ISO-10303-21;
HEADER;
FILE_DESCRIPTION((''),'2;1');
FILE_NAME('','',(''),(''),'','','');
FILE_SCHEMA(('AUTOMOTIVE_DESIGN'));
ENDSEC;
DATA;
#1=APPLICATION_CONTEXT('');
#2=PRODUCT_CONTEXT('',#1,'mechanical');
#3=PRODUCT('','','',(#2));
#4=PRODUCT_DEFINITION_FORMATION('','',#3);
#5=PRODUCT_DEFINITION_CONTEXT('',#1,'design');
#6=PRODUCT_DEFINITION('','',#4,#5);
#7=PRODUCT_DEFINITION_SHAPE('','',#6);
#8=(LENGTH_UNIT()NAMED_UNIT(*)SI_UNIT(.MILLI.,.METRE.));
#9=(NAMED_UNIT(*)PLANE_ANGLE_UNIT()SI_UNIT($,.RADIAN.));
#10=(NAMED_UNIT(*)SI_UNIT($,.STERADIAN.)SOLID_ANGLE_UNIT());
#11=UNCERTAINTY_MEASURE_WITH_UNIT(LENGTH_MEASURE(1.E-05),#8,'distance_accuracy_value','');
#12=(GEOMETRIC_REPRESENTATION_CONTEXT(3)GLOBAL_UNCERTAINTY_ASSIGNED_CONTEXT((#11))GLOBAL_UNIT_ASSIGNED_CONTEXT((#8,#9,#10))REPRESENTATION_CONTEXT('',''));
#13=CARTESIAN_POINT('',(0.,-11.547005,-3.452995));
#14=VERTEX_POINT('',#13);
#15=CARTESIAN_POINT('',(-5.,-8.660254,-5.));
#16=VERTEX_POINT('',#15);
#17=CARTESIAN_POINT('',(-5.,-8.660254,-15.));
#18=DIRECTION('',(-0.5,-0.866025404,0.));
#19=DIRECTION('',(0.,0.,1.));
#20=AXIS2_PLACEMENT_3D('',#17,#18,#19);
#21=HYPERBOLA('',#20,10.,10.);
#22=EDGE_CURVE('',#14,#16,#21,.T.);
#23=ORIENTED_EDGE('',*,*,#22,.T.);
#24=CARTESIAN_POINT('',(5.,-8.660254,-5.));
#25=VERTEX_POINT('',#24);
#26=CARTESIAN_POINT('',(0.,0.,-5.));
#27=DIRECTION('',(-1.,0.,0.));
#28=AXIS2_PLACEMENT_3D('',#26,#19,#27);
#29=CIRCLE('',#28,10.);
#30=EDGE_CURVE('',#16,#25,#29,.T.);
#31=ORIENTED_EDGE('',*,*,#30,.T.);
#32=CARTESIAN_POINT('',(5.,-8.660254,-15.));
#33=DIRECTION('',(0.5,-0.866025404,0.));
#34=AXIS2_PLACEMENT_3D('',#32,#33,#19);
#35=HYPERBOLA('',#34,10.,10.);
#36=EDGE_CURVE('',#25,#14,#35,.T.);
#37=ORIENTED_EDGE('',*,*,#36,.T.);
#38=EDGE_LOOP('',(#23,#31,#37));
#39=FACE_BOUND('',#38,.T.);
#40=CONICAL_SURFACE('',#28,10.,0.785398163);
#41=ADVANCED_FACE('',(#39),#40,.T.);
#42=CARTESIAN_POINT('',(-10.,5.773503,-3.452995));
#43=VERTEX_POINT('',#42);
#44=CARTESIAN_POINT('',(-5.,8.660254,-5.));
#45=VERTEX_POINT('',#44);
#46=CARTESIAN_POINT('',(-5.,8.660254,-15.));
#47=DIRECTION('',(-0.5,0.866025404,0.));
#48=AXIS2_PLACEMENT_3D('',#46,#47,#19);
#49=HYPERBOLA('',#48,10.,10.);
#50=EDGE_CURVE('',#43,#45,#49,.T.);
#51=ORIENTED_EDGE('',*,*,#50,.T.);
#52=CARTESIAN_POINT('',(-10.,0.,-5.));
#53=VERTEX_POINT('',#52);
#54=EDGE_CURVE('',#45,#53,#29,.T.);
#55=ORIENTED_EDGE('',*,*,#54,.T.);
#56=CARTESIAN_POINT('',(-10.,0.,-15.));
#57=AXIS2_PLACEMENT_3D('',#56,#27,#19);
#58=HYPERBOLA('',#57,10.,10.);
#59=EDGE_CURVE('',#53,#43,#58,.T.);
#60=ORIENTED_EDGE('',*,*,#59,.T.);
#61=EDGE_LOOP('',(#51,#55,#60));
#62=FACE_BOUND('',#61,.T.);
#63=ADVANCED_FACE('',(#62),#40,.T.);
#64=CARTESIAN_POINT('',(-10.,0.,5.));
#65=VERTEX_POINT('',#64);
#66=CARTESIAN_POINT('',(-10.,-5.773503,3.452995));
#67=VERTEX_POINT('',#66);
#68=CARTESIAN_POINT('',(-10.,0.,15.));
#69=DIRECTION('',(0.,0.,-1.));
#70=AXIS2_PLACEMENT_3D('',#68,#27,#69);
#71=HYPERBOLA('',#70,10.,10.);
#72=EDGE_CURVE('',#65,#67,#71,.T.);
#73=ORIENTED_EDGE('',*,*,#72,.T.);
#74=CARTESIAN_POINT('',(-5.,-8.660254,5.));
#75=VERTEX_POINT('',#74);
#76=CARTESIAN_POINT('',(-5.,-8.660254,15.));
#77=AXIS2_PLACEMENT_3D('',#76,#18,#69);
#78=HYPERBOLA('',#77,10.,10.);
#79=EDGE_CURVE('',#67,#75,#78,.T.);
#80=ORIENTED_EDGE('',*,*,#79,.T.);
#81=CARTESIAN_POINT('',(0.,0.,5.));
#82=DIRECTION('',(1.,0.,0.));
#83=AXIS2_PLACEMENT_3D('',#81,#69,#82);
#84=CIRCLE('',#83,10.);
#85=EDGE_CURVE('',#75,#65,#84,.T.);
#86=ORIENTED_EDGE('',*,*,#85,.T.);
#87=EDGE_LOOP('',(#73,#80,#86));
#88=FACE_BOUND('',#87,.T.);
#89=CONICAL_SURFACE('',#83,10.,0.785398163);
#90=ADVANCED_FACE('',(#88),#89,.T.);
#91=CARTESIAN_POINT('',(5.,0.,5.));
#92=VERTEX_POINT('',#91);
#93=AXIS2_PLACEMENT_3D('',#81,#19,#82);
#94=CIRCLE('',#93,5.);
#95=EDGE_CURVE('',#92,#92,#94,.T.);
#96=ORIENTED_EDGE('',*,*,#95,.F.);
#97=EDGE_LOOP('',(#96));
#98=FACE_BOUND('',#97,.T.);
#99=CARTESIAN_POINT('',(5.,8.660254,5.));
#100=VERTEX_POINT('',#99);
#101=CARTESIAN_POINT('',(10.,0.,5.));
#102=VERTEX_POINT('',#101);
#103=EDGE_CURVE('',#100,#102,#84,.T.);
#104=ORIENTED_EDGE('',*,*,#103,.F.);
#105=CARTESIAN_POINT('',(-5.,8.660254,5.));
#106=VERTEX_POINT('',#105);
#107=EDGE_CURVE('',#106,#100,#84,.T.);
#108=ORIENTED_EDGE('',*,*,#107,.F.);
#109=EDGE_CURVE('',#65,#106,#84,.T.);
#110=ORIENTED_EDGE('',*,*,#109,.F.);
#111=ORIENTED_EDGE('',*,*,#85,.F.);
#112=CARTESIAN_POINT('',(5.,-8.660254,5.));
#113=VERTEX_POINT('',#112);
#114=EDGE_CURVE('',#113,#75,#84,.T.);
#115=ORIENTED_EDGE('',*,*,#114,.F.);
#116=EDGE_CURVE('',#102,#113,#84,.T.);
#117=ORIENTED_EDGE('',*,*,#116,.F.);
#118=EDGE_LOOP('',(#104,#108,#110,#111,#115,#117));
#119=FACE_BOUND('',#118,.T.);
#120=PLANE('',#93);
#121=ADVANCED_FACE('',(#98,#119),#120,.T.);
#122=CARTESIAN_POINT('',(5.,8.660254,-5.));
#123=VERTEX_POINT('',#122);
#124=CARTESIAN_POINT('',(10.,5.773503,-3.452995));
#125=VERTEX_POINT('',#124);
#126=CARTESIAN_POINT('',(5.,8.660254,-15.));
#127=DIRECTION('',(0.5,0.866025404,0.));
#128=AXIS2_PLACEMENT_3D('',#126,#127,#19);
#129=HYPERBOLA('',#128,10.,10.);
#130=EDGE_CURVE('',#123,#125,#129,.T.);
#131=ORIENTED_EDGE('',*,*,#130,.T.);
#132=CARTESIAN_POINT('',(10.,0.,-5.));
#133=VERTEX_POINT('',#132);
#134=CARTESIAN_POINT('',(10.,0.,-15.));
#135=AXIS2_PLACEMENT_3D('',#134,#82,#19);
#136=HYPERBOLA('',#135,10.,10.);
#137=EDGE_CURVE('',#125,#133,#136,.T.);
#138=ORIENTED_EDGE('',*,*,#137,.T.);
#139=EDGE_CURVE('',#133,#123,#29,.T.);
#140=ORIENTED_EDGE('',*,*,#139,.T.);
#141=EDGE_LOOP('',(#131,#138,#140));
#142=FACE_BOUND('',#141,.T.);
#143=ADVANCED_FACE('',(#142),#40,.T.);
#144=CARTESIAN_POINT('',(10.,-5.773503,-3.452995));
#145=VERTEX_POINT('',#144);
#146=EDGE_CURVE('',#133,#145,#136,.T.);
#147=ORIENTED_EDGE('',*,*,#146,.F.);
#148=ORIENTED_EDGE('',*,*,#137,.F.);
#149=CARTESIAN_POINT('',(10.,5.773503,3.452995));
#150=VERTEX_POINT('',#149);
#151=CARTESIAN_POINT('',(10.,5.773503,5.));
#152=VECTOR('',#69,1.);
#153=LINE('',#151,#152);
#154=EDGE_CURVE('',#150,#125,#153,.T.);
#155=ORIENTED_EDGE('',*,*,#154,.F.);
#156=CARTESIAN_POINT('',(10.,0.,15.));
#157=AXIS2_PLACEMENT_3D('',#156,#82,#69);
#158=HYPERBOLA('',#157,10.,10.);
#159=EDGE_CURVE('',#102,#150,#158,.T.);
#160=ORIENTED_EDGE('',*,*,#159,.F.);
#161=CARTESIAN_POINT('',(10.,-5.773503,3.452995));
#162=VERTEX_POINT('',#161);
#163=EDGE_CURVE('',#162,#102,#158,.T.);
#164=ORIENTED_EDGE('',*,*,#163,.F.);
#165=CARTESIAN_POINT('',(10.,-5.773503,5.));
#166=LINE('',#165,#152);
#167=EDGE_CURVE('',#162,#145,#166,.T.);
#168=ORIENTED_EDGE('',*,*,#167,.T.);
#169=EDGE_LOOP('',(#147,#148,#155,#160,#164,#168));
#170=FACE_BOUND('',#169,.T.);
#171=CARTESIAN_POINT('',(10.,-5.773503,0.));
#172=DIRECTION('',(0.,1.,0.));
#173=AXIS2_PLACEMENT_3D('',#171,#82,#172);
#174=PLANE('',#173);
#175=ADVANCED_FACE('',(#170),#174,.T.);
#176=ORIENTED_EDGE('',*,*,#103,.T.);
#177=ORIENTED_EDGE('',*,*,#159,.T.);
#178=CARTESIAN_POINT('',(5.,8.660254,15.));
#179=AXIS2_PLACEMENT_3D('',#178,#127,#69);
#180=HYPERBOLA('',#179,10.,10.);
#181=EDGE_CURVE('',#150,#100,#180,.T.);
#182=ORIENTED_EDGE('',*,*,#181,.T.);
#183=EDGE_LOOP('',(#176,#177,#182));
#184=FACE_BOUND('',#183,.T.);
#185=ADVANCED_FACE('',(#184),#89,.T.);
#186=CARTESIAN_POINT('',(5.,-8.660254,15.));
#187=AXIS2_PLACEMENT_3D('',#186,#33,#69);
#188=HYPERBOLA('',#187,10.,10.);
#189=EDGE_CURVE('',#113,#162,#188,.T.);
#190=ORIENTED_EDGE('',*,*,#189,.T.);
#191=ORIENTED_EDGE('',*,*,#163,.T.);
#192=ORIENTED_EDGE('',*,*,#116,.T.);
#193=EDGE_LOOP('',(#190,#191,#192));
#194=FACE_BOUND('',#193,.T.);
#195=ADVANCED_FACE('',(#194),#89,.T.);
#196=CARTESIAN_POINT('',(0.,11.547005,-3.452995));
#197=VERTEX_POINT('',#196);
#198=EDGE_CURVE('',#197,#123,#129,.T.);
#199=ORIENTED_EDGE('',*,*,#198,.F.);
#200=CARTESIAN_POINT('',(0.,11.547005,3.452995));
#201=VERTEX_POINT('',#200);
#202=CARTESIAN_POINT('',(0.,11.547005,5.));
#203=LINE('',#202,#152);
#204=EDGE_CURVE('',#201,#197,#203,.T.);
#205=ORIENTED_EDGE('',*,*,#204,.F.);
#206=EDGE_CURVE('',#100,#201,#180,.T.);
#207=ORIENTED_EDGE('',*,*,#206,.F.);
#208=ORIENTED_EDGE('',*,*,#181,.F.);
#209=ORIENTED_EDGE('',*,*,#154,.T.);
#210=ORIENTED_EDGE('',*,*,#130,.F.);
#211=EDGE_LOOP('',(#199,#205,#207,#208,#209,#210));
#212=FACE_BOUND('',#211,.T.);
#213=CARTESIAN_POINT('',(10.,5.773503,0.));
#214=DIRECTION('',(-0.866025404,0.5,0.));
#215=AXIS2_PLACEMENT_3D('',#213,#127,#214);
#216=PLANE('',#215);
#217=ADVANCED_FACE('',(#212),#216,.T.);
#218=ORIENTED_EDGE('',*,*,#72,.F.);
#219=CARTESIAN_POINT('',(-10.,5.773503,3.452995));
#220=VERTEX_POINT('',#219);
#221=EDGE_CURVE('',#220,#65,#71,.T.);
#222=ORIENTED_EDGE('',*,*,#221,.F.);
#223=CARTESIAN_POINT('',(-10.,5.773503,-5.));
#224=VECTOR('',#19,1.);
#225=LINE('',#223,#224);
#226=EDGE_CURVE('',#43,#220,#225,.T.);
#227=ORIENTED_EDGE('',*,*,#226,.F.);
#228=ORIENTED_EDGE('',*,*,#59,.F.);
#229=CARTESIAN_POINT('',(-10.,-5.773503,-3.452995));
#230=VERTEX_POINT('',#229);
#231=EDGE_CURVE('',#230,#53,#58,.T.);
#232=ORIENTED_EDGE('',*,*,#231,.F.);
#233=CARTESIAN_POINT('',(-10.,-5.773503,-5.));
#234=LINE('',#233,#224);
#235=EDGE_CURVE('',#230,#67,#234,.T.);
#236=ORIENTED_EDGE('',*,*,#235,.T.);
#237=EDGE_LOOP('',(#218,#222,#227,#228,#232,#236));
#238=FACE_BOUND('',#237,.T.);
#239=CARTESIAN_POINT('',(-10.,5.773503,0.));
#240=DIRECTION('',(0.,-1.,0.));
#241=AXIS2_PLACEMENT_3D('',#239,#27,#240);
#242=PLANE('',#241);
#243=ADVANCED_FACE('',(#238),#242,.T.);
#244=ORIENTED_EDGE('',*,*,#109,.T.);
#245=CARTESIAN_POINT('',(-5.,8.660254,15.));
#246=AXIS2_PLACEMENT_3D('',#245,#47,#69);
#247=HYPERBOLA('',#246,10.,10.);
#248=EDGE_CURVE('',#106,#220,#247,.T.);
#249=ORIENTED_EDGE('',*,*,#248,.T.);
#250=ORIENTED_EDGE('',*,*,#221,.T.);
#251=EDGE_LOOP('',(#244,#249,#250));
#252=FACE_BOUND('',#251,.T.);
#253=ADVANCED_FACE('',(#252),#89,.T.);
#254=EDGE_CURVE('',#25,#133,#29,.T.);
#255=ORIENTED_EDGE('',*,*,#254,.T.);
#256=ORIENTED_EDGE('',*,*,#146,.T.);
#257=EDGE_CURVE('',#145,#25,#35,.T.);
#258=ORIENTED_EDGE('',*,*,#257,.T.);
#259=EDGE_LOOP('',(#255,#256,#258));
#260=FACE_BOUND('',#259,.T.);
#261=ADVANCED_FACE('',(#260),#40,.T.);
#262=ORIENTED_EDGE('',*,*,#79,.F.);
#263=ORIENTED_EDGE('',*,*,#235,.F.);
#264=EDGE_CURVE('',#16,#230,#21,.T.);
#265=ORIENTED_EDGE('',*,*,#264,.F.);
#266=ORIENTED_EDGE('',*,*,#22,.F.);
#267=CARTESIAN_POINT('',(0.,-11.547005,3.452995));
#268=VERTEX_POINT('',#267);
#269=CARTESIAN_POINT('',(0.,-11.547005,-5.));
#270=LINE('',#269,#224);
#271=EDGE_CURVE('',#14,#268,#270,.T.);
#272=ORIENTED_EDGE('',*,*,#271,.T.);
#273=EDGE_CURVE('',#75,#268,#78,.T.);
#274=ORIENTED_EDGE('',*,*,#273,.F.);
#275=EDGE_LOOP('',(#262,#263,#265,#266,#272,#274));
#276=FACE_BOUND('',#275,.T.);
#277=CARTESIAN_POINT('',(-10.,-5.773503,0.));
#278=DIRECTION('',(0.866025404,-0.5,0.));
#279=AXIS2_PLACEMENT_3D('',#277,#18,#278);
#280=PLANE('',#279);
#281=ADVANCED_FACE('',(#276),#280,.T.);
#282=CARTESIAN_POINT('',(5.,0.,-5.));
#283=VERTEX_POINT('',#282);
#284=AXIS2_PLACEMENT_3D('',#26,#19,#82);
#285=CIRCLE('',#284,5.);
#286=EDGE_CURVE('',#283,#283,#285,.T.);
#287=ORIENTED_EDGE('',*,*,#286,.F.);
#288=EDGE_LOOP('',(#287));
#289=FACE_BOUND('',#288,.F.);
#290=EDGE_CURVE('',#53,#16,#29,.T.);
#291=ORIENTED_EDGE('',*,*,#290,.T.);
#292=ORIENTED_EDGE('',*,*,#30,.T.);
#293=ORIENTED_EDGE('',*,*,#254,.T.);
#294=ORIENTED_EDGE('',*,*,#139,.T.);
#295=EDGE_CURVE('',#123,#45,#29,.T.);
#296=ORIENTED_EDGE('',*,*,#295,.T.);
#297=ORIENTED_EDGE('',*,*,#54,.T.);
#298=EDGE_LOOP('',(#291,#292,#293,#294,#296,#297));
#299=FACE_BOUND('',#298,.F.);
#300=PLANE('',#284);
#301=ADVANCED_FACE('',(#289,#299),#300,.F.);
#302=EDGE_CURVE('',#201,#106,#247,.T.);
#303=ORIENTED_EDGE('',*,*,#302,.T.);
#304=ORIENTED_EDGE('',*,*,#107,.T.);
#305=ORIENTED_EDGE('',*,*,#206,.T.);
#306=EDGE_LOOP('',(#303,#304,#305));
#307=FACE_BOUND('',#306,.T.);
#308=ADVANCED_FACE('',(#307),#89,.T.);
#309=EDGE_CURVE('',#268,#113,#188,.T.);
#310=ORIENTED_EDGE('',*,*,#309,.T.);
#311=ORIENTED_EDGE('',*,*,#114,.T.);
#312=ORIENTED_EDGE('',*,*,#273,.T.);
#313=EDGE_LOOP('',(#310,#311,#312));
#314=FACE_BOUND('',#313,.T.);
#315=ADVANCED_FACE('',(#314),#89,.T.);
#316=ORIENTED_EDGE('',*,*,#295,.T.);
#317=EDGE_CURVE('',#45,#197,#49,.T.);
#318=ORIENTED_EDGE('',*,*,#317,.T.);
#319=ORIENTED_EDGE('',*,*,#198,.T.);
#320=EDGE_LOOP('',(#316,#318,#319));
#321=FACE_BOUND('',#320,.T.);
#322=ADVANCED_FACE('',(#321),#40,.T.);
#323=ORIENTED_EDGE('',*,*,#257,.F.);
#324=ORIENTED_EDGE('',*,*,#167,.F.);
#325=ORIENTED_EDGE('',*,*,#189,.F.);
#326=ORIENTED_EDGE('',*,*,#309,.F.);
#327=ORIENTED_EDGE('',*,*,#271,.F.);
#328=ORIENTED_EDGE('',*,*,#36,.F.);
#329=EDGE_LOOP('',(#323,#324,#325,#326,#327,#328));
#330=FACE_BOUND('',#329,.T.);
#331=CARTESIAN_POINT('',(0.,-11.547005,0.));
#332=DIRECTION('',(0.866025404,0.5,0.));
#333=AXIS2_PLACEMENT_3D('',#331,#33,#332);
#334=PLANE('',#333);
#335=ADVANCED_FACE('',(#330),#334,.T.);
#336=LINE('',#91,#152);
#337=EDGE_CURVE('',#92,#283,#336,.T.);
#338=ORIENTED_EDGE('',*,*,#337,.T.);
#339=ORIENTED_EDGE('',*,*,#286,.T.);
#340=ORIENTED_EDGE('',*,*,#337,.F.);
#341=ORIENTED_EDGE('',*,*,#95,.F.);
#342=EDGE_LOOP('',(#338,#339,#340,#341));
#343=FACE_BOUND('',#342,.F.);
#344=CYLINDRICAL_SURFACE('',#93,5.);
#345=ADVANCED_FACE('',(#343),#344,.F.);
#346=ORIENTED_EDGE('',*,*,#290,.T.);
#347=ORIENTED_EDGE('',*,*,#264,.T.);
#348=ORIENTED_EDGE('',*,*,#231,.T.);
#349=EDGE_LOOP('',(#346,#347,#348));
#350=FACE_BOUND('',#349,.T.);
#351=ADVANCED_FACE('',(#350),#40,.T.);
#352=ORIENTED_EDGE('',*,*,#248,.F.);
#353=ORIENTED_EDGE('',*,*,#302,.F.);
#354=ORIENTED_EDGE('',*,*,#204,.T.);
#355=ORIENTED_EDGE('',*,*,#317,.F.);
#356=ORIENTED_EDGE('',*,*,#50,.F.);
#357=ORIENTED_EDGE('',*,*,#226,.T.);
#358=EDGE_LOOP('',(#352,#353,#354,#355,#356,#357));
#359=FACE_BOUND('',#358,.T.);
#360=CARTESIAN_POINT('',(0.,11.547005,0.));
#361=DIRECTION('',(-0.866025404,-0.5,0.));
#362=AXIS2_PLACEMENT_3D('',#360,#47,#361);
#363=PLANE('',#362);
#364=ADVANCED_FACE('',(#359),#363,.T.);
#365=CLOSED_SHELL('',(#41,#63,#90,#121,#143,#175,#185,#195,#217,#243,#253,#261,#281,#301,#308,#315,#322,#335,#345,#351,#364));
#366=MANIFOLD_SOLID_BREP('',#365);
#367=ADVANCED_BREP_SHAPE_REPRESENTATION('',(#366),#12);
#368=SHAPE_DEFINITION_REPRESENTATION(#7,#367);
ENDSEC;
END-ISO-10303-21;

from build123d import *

# Parameters (mm, degrees)
EXTRUDE1_DEPTH    = 5
SKETCH2_R         = 5
EXTRUDE2_DEPTH    = 10
SKETCH3_OUTSIDE_W = 48.43
SKETCH3_OUTSIDE_H = 51.524
SKETCH3_OUTSIDE_R = 10
EXTRUDE4_DEPTH    = 10
EXTRUDE4_TAPER    = 45
SKETCH4_OUTSIDE_W = 48.43
SKETCH4_OUTSIDE_H = 51.524
SKETCH4_OUTSIDE_R = 10
EXTRUDE5_DEPTH    = 10
EXTRUDE5_TAPER    = 45


with BuildPart() as part:
    # Sketch1 → Extrude1 (new, symmetric)
    with BuildSketch(Plane.XY):
        Polygon((0, 11.547005384), (-10, 5.773502692), (-10, -5.773502692), (0, -11.547005384), (10, -5.773502692), (10, 5.773502692), align=None)
    extrude(amount=EXTRUDE1_DEPTH, both=True)

    # Sketch2 → Extrude2 (cut)
    with BuildSketch(Plane.XY.offset(5)):
        Circle(SKETCH2_R)
    extrude(amount=-EXTRUDE2_DEPTH, mode=Mode.SUBTRACT)

    # Sketch3 outside → Extrude4 (cut)
    with BuildSketch(Plane.XY.offset(5)):
        Rectangle(SKETCH3_OUTSIDE_W, SKETCH3_OUTSIDE_H)
        Circle(SKETCH3_OUTSIDE_R, mode=Mode.SUBTRACT)
    extrude(amount=-EXTRUDE4_DEPTH, taper=EXTRUDE4_TAPER, mode=Mode.SUBTRACT)

    # Sketch4 outside → Extrude5 (cut)
    with BuildSketch(Plane(origin=(0, 0, -5), x_dir=(-1, 0, 0), z_dir=(0, 0, -1))):
        Rectangle(SKETCH4_OUTSIDE_W, SKETCH4_OUTSIDE_H)
        Circle(SKETCH4_OUTSIDE_R, mode=Mode.SUBTRACT)
    extrude(amount=-EXTRUDE5_DEPTH, taper=EXTRUDE5_TAPER, mode=Mode.SUBTRACT)


solid = part.part
